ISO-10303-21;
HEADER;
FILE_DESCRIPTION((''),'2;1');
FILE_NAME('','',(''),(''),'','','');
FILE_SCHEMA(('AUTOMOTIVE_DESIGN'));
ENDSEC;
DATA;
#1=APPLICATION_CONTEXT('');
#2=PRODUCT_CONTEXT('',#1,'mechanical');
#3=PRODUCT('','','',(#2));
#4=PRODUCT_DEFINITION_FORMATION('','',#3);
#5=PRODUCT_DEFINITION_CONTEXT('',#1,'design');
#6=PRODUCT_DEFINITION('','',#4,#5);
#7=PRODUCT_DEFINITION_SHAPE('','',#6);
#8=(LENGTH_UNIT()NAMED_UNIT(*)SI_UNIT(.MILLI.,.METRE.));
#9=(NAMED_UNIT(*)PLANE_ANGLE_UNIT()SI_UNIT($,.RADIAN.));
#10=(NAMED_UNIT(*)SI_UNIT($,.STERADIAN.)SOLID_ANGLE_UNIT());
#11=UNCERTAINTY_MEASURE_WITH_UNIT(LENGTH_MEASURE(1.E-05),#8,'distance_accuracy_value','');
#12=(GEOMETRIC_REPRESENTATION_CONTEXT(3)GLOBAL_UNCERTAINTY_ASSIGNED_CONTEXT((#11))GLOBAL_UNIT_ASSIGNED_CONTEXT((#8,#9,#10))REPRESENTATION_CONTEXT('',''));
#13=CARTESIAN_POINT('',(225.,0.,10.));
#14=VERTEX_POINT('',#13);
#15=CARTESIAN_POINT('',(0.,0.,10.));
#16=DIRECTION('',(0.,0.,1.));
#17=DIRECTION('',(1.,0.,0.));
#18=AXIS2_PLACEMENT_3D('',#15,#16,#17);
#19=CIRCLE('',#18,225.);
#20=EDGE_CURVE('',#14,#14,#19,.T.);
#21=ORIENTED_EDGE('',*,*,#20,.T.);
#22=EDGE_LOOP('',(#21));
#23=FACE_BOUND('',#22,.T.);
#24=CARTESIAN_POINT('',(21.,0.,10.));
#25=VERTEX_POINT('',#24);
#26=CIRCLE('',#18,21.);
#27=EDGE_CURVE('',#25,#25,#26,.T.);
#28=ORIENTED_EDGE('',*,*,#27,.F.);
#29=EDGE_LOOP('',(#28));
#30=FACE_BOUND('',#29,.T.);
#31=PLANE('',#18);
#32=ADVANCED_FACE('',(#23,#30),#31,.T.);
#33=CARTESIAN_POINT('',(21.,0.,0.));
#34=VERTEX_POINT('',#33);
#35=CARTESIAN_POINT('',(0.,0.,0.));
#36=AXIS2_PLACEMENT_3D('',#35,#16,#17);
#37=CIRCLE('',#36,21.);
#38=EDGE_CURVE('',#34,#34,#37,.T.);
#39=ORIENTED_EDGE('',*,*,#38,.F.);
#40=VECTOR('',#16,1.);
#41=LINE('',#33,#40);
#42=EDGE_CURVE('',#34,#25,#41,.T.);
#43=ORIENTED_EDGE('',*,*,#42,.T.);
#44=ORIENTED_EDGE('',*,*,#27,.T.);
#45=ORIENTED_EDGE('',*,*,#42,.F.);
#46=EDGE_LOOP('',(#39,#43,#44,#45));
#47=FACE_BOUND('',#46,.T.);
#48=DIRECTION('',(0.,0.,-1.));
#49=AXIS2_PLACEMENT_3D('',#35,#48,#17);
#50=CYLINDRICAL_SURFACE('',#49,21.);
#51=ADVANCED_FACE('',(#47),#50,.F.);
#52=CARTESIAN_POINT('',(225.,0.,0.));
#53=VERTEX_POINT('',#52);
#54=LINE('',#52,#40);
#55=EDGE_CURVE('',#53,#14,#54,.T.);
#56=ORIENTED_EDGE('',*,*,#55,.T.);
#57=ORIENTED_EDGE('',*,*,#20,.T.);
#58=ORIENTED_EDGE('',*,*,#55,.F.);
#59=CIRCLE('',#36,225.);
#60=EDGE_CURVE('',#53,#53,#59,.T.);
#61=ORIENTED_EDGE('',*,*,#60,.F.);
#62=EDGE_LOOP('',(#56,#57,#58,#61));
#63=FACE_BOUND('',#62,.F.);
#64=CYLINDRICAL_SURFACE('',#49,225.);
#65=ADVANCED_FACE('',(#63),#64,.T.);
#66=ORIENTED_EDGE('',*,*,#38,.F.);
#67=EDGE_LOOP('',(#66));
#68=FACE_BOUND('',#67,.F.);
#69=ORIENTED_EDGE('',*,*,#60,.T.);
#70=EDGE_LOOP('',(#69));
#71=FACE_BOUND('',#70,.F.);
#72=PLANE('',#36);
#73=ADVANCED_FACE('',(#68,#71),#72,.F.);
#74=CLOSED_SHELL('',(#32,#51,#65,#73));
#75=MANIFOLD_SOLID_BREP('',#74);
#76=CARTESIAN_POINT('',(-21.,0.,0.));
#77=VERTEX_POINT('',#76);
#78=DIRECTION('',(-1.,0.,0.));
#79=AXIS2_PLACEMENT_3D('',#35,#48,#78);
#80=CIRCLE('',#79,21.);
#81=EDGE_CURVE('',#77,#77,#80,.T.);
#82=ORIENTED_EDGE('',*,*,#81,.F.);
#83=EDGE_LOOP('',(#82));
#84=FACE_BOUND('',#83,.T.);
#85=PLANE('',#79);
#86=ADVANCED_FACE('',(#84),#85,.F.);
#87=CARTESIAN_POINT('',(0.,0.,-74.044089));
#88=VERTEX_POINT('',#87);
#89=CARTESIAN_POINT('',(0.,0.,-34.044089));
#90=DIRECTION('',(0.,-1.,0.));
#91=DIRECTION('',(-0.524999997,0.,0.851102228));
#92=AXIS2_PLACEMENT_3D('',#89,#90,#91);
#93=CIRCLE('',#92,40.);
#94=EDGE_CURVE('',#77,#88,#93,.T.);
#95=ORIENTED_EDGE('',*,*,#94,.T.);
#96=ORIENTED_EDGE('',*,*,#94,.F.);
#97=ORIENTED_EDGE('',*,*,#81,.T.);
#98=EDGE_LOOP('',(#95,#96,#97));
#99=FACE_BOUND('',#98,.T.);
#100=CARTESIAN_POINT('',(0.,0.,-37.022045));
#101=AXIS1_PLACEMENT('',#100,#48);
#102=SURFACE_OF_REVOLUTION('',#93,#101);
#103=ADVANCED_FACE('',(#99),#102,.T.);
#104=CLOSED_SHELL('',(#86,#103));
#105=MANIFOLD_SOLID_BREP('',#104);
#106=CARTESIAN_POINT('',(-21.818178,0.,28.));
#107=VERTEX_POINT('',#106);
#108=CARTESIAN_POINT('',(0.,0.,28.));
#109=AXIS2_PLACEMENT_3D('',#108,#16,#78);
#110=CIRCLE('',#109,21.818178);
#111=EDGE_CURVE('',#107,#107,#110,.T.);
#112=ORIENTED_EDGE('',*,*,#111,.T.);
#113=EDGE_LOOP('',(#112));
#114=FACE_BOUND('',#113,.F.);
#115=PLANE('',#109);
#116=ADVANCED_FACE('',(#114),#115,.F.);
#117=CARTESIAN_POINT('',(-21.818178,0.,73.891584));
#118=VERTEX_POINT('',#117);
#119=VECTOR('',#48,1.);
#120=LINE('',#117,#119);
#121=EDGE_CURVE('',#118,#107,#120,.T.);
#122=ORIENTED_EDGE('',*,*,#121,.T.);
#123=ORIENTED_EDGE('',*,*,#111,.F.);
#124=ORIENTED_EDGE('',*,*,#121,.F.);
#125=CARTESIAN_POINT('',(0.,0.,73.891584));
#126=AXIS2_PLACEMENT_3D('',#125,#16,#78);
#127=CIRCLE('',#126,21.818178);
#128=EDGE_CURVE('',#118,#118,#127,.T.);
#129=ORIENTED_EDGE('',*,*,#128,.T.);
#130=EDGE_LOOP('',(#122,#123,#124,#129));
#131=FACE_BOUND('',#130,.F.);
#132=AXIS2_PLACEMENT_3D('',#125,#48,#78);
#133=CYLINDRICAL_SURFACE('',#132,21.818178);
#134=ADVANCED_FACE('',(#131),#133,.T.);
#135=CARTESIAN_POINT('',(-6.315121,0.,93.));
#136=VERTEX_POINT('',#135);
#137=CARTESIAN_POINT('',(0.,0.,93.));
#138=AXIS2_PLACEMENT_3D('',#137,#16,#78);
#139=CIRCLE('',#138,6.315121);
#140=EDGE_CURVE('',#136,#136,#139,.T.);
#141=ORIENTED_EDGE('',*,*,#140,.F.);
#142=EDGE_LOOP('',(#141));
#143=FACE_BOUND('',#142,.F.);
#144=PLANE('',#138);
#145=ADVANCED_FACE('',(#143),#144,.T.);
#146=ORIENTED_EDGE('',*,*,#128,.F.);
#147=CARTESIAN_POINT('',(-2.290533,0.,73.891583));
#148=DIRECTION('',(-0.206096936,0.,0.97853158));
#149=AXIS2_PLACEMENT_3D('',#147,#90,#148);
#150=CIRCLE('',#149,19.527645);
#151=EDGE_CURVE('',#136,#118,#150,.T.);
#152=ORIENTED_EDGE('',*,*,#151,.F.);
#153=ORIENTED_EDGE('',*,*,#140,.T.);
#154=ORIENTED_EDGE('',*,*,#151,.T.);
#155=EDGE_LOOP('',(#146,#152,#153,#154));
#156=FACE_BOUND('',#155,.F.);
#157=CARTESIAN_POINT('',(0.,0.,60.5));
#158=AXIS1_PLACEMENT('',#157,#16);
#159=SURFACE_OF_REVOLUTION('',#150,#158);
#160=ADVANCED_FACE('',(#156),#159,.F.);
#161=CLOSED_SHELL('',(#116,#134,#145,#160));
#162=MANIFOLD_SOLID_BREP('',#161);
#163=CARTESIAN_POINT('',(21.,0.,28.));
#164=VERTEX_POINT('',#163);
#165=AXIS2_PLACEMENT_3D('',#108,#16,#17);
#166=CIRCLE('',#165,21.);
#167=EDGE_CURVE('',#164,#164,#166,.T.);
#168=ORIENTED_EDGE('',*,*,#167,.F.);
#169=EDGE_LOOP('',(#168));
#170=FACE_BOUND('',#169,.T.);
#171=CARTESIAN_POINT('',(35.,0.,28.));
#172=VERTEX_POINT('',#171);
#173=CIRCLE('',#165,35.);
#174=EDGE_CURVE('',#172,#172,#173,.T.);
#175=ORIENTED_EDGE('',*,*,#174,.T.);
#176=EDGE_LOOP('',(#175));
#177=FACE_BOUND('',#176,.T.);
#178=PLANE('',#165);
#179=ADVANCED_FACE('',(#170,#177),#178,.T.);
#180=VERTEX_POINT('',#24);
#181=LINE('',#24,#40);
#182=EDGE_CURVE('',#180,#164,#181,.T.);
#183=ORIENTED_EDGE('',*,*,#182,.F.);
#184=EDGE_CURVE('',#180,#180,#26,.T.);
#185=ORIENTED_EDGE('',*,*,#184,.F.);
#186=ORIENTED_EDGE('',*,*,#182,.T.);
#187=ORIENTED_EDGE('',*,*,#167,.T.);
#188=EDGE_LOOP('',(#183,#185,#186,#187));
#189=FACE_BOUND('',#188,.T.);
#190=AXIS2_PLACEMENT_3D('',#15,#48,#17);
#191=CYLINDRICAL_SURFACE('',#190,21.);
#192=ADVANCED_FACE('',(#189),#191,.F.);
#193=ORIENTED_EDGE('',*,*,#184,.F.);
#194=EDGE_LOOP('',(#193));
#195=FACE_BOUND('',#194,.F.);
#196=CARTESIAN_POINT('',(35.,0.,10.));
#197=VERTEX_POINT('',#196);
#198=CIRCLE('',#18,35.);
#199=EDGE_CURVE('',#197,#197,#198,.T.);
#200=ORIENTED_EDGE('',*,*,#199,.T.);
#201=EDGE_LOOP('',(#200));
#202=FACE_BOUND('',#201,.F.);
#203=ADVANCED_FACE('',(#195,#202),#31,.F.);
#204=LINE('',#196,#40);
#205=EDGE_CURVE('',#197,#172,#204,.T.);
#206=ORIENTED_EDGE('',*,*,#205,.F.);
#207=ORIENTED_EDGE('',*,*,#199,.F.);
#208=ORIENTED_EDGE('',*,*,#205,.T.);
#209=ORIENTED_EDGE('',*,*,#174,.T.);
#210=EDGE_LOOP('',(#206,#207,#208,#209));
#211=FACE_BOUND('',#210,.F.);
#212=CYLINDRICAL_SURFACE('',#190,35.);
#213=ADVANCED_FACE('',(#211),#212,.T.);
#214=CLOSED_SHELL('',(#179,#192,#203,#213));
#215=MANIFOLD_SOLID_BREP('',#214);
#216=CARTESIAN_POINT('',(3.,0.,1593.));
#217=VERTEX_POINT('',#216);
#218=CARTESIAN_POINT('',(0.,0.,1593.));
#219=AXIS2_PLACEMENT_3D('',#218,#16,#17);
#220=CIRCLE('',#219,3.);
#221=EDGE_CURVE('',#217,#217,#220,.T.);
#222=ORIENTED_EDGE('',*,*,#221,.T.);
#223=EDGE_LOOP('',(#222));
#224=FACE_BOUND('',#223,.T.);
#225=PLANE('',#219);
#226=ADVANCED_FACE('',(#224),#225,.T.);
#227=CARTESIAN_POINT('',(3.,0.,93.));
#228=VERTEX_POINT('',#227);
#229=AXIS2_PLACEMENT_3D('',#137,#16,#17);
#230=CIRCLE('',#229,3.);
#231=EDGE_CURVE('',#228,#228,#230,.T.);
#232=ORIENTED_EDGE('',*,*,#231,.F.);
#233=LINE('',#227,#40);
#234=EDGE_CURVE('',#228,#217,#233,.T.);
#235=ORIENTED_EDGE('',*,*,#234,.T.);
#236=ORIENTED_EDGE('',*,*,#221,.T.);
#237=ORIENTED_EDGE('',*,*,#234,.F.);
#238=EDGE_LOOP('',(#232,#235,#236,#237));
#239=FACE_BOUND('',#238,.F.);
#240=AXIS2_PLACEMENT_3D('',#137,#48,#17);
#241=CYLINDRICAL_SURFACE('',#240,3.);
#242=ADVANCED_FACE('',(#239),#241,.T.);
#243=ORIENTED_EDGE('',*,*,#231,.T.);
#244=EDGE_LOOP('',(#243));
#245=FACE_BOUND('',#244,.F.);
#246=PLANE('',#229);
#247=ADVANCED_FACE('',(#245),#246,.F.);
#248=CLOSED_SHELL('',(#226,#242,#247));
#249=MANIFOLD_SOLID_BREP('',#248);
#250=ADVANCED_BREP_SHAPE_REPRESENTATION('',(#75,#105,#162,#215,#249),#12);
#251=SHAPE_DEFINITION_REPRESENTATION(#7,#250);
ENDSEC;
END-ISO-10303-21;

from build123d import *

# Parameters (mm, degrees)
F0_R     = 225
F0_R_2   = 21
F1_DEPTH = 10
F2_R     = 35
F2_R_2   = 21
F3_DEPTH = 18
F8_R     = 3
F9_DEPTH = 1500


with BuildPart() as f1:
    # F0 (on Top) → F1 (new body)
    with BuildSketch(Plane.XY):
        Circle(F0_R)
        Circle(F0_R_2, mode=Mode.SUBTRACT)
    extrude(amount=F1_DEPTH)


with BuildPart() as f3:
    # F2 (on face) → F3 (new body)
    with BuildSketch(Plane.XY.offset(10)):
        Circle(F2_R)
        Circle(F2_R_2, mode=Mode.SUBTRACT)
    extrude(amount=F3_DEPTH)


with BuildPart() as f5:
    # F4 (on Front) → F5 (revolve)
    with BuildSketch(Plane.XZ):
        with BuildLine():
            Line((-21.818178, 28), (0, 28))
            Line((0, 28), (0, 93))
            Line((0, 93), (-6.315121, 93))
            ThreePointArc((-6.315121, 93), (-17.454959, 86.194798), (-21.818178, 73.891584))
            Line((-21.818178, 73.891584), (-21.818178, 28))
        make_face()
    revolve(axis=Axis((0, 0, 60.5), (0, 0, 1)))


with BuildPart() as f7:
    # F6 (on Front) → F7 (revolve)
    with BuildSketch(Plane.XZ):
        with BuildLine():
            Line((0, 0), (-21, 0))
            ThreePointArc((-21, 0), (-38.482227, -44.958218), (0, -74.044089))
            Line((0, -74.044089), (0, 0))
        make_face()
    revolve(axis=Axis((0, 0, -37.022045), (0, 0, -1)))


with BuildPart() as f9:
    # F8 (on face) → F9 (new body)
    with BuildSketch(Plane.XY.offset(93)):
        Circle(F8_R)
    extrude(amount=F9_DEPTH)


solid = Compound([f1.part, f3.part, f5.part, f7.part, f9.part])
